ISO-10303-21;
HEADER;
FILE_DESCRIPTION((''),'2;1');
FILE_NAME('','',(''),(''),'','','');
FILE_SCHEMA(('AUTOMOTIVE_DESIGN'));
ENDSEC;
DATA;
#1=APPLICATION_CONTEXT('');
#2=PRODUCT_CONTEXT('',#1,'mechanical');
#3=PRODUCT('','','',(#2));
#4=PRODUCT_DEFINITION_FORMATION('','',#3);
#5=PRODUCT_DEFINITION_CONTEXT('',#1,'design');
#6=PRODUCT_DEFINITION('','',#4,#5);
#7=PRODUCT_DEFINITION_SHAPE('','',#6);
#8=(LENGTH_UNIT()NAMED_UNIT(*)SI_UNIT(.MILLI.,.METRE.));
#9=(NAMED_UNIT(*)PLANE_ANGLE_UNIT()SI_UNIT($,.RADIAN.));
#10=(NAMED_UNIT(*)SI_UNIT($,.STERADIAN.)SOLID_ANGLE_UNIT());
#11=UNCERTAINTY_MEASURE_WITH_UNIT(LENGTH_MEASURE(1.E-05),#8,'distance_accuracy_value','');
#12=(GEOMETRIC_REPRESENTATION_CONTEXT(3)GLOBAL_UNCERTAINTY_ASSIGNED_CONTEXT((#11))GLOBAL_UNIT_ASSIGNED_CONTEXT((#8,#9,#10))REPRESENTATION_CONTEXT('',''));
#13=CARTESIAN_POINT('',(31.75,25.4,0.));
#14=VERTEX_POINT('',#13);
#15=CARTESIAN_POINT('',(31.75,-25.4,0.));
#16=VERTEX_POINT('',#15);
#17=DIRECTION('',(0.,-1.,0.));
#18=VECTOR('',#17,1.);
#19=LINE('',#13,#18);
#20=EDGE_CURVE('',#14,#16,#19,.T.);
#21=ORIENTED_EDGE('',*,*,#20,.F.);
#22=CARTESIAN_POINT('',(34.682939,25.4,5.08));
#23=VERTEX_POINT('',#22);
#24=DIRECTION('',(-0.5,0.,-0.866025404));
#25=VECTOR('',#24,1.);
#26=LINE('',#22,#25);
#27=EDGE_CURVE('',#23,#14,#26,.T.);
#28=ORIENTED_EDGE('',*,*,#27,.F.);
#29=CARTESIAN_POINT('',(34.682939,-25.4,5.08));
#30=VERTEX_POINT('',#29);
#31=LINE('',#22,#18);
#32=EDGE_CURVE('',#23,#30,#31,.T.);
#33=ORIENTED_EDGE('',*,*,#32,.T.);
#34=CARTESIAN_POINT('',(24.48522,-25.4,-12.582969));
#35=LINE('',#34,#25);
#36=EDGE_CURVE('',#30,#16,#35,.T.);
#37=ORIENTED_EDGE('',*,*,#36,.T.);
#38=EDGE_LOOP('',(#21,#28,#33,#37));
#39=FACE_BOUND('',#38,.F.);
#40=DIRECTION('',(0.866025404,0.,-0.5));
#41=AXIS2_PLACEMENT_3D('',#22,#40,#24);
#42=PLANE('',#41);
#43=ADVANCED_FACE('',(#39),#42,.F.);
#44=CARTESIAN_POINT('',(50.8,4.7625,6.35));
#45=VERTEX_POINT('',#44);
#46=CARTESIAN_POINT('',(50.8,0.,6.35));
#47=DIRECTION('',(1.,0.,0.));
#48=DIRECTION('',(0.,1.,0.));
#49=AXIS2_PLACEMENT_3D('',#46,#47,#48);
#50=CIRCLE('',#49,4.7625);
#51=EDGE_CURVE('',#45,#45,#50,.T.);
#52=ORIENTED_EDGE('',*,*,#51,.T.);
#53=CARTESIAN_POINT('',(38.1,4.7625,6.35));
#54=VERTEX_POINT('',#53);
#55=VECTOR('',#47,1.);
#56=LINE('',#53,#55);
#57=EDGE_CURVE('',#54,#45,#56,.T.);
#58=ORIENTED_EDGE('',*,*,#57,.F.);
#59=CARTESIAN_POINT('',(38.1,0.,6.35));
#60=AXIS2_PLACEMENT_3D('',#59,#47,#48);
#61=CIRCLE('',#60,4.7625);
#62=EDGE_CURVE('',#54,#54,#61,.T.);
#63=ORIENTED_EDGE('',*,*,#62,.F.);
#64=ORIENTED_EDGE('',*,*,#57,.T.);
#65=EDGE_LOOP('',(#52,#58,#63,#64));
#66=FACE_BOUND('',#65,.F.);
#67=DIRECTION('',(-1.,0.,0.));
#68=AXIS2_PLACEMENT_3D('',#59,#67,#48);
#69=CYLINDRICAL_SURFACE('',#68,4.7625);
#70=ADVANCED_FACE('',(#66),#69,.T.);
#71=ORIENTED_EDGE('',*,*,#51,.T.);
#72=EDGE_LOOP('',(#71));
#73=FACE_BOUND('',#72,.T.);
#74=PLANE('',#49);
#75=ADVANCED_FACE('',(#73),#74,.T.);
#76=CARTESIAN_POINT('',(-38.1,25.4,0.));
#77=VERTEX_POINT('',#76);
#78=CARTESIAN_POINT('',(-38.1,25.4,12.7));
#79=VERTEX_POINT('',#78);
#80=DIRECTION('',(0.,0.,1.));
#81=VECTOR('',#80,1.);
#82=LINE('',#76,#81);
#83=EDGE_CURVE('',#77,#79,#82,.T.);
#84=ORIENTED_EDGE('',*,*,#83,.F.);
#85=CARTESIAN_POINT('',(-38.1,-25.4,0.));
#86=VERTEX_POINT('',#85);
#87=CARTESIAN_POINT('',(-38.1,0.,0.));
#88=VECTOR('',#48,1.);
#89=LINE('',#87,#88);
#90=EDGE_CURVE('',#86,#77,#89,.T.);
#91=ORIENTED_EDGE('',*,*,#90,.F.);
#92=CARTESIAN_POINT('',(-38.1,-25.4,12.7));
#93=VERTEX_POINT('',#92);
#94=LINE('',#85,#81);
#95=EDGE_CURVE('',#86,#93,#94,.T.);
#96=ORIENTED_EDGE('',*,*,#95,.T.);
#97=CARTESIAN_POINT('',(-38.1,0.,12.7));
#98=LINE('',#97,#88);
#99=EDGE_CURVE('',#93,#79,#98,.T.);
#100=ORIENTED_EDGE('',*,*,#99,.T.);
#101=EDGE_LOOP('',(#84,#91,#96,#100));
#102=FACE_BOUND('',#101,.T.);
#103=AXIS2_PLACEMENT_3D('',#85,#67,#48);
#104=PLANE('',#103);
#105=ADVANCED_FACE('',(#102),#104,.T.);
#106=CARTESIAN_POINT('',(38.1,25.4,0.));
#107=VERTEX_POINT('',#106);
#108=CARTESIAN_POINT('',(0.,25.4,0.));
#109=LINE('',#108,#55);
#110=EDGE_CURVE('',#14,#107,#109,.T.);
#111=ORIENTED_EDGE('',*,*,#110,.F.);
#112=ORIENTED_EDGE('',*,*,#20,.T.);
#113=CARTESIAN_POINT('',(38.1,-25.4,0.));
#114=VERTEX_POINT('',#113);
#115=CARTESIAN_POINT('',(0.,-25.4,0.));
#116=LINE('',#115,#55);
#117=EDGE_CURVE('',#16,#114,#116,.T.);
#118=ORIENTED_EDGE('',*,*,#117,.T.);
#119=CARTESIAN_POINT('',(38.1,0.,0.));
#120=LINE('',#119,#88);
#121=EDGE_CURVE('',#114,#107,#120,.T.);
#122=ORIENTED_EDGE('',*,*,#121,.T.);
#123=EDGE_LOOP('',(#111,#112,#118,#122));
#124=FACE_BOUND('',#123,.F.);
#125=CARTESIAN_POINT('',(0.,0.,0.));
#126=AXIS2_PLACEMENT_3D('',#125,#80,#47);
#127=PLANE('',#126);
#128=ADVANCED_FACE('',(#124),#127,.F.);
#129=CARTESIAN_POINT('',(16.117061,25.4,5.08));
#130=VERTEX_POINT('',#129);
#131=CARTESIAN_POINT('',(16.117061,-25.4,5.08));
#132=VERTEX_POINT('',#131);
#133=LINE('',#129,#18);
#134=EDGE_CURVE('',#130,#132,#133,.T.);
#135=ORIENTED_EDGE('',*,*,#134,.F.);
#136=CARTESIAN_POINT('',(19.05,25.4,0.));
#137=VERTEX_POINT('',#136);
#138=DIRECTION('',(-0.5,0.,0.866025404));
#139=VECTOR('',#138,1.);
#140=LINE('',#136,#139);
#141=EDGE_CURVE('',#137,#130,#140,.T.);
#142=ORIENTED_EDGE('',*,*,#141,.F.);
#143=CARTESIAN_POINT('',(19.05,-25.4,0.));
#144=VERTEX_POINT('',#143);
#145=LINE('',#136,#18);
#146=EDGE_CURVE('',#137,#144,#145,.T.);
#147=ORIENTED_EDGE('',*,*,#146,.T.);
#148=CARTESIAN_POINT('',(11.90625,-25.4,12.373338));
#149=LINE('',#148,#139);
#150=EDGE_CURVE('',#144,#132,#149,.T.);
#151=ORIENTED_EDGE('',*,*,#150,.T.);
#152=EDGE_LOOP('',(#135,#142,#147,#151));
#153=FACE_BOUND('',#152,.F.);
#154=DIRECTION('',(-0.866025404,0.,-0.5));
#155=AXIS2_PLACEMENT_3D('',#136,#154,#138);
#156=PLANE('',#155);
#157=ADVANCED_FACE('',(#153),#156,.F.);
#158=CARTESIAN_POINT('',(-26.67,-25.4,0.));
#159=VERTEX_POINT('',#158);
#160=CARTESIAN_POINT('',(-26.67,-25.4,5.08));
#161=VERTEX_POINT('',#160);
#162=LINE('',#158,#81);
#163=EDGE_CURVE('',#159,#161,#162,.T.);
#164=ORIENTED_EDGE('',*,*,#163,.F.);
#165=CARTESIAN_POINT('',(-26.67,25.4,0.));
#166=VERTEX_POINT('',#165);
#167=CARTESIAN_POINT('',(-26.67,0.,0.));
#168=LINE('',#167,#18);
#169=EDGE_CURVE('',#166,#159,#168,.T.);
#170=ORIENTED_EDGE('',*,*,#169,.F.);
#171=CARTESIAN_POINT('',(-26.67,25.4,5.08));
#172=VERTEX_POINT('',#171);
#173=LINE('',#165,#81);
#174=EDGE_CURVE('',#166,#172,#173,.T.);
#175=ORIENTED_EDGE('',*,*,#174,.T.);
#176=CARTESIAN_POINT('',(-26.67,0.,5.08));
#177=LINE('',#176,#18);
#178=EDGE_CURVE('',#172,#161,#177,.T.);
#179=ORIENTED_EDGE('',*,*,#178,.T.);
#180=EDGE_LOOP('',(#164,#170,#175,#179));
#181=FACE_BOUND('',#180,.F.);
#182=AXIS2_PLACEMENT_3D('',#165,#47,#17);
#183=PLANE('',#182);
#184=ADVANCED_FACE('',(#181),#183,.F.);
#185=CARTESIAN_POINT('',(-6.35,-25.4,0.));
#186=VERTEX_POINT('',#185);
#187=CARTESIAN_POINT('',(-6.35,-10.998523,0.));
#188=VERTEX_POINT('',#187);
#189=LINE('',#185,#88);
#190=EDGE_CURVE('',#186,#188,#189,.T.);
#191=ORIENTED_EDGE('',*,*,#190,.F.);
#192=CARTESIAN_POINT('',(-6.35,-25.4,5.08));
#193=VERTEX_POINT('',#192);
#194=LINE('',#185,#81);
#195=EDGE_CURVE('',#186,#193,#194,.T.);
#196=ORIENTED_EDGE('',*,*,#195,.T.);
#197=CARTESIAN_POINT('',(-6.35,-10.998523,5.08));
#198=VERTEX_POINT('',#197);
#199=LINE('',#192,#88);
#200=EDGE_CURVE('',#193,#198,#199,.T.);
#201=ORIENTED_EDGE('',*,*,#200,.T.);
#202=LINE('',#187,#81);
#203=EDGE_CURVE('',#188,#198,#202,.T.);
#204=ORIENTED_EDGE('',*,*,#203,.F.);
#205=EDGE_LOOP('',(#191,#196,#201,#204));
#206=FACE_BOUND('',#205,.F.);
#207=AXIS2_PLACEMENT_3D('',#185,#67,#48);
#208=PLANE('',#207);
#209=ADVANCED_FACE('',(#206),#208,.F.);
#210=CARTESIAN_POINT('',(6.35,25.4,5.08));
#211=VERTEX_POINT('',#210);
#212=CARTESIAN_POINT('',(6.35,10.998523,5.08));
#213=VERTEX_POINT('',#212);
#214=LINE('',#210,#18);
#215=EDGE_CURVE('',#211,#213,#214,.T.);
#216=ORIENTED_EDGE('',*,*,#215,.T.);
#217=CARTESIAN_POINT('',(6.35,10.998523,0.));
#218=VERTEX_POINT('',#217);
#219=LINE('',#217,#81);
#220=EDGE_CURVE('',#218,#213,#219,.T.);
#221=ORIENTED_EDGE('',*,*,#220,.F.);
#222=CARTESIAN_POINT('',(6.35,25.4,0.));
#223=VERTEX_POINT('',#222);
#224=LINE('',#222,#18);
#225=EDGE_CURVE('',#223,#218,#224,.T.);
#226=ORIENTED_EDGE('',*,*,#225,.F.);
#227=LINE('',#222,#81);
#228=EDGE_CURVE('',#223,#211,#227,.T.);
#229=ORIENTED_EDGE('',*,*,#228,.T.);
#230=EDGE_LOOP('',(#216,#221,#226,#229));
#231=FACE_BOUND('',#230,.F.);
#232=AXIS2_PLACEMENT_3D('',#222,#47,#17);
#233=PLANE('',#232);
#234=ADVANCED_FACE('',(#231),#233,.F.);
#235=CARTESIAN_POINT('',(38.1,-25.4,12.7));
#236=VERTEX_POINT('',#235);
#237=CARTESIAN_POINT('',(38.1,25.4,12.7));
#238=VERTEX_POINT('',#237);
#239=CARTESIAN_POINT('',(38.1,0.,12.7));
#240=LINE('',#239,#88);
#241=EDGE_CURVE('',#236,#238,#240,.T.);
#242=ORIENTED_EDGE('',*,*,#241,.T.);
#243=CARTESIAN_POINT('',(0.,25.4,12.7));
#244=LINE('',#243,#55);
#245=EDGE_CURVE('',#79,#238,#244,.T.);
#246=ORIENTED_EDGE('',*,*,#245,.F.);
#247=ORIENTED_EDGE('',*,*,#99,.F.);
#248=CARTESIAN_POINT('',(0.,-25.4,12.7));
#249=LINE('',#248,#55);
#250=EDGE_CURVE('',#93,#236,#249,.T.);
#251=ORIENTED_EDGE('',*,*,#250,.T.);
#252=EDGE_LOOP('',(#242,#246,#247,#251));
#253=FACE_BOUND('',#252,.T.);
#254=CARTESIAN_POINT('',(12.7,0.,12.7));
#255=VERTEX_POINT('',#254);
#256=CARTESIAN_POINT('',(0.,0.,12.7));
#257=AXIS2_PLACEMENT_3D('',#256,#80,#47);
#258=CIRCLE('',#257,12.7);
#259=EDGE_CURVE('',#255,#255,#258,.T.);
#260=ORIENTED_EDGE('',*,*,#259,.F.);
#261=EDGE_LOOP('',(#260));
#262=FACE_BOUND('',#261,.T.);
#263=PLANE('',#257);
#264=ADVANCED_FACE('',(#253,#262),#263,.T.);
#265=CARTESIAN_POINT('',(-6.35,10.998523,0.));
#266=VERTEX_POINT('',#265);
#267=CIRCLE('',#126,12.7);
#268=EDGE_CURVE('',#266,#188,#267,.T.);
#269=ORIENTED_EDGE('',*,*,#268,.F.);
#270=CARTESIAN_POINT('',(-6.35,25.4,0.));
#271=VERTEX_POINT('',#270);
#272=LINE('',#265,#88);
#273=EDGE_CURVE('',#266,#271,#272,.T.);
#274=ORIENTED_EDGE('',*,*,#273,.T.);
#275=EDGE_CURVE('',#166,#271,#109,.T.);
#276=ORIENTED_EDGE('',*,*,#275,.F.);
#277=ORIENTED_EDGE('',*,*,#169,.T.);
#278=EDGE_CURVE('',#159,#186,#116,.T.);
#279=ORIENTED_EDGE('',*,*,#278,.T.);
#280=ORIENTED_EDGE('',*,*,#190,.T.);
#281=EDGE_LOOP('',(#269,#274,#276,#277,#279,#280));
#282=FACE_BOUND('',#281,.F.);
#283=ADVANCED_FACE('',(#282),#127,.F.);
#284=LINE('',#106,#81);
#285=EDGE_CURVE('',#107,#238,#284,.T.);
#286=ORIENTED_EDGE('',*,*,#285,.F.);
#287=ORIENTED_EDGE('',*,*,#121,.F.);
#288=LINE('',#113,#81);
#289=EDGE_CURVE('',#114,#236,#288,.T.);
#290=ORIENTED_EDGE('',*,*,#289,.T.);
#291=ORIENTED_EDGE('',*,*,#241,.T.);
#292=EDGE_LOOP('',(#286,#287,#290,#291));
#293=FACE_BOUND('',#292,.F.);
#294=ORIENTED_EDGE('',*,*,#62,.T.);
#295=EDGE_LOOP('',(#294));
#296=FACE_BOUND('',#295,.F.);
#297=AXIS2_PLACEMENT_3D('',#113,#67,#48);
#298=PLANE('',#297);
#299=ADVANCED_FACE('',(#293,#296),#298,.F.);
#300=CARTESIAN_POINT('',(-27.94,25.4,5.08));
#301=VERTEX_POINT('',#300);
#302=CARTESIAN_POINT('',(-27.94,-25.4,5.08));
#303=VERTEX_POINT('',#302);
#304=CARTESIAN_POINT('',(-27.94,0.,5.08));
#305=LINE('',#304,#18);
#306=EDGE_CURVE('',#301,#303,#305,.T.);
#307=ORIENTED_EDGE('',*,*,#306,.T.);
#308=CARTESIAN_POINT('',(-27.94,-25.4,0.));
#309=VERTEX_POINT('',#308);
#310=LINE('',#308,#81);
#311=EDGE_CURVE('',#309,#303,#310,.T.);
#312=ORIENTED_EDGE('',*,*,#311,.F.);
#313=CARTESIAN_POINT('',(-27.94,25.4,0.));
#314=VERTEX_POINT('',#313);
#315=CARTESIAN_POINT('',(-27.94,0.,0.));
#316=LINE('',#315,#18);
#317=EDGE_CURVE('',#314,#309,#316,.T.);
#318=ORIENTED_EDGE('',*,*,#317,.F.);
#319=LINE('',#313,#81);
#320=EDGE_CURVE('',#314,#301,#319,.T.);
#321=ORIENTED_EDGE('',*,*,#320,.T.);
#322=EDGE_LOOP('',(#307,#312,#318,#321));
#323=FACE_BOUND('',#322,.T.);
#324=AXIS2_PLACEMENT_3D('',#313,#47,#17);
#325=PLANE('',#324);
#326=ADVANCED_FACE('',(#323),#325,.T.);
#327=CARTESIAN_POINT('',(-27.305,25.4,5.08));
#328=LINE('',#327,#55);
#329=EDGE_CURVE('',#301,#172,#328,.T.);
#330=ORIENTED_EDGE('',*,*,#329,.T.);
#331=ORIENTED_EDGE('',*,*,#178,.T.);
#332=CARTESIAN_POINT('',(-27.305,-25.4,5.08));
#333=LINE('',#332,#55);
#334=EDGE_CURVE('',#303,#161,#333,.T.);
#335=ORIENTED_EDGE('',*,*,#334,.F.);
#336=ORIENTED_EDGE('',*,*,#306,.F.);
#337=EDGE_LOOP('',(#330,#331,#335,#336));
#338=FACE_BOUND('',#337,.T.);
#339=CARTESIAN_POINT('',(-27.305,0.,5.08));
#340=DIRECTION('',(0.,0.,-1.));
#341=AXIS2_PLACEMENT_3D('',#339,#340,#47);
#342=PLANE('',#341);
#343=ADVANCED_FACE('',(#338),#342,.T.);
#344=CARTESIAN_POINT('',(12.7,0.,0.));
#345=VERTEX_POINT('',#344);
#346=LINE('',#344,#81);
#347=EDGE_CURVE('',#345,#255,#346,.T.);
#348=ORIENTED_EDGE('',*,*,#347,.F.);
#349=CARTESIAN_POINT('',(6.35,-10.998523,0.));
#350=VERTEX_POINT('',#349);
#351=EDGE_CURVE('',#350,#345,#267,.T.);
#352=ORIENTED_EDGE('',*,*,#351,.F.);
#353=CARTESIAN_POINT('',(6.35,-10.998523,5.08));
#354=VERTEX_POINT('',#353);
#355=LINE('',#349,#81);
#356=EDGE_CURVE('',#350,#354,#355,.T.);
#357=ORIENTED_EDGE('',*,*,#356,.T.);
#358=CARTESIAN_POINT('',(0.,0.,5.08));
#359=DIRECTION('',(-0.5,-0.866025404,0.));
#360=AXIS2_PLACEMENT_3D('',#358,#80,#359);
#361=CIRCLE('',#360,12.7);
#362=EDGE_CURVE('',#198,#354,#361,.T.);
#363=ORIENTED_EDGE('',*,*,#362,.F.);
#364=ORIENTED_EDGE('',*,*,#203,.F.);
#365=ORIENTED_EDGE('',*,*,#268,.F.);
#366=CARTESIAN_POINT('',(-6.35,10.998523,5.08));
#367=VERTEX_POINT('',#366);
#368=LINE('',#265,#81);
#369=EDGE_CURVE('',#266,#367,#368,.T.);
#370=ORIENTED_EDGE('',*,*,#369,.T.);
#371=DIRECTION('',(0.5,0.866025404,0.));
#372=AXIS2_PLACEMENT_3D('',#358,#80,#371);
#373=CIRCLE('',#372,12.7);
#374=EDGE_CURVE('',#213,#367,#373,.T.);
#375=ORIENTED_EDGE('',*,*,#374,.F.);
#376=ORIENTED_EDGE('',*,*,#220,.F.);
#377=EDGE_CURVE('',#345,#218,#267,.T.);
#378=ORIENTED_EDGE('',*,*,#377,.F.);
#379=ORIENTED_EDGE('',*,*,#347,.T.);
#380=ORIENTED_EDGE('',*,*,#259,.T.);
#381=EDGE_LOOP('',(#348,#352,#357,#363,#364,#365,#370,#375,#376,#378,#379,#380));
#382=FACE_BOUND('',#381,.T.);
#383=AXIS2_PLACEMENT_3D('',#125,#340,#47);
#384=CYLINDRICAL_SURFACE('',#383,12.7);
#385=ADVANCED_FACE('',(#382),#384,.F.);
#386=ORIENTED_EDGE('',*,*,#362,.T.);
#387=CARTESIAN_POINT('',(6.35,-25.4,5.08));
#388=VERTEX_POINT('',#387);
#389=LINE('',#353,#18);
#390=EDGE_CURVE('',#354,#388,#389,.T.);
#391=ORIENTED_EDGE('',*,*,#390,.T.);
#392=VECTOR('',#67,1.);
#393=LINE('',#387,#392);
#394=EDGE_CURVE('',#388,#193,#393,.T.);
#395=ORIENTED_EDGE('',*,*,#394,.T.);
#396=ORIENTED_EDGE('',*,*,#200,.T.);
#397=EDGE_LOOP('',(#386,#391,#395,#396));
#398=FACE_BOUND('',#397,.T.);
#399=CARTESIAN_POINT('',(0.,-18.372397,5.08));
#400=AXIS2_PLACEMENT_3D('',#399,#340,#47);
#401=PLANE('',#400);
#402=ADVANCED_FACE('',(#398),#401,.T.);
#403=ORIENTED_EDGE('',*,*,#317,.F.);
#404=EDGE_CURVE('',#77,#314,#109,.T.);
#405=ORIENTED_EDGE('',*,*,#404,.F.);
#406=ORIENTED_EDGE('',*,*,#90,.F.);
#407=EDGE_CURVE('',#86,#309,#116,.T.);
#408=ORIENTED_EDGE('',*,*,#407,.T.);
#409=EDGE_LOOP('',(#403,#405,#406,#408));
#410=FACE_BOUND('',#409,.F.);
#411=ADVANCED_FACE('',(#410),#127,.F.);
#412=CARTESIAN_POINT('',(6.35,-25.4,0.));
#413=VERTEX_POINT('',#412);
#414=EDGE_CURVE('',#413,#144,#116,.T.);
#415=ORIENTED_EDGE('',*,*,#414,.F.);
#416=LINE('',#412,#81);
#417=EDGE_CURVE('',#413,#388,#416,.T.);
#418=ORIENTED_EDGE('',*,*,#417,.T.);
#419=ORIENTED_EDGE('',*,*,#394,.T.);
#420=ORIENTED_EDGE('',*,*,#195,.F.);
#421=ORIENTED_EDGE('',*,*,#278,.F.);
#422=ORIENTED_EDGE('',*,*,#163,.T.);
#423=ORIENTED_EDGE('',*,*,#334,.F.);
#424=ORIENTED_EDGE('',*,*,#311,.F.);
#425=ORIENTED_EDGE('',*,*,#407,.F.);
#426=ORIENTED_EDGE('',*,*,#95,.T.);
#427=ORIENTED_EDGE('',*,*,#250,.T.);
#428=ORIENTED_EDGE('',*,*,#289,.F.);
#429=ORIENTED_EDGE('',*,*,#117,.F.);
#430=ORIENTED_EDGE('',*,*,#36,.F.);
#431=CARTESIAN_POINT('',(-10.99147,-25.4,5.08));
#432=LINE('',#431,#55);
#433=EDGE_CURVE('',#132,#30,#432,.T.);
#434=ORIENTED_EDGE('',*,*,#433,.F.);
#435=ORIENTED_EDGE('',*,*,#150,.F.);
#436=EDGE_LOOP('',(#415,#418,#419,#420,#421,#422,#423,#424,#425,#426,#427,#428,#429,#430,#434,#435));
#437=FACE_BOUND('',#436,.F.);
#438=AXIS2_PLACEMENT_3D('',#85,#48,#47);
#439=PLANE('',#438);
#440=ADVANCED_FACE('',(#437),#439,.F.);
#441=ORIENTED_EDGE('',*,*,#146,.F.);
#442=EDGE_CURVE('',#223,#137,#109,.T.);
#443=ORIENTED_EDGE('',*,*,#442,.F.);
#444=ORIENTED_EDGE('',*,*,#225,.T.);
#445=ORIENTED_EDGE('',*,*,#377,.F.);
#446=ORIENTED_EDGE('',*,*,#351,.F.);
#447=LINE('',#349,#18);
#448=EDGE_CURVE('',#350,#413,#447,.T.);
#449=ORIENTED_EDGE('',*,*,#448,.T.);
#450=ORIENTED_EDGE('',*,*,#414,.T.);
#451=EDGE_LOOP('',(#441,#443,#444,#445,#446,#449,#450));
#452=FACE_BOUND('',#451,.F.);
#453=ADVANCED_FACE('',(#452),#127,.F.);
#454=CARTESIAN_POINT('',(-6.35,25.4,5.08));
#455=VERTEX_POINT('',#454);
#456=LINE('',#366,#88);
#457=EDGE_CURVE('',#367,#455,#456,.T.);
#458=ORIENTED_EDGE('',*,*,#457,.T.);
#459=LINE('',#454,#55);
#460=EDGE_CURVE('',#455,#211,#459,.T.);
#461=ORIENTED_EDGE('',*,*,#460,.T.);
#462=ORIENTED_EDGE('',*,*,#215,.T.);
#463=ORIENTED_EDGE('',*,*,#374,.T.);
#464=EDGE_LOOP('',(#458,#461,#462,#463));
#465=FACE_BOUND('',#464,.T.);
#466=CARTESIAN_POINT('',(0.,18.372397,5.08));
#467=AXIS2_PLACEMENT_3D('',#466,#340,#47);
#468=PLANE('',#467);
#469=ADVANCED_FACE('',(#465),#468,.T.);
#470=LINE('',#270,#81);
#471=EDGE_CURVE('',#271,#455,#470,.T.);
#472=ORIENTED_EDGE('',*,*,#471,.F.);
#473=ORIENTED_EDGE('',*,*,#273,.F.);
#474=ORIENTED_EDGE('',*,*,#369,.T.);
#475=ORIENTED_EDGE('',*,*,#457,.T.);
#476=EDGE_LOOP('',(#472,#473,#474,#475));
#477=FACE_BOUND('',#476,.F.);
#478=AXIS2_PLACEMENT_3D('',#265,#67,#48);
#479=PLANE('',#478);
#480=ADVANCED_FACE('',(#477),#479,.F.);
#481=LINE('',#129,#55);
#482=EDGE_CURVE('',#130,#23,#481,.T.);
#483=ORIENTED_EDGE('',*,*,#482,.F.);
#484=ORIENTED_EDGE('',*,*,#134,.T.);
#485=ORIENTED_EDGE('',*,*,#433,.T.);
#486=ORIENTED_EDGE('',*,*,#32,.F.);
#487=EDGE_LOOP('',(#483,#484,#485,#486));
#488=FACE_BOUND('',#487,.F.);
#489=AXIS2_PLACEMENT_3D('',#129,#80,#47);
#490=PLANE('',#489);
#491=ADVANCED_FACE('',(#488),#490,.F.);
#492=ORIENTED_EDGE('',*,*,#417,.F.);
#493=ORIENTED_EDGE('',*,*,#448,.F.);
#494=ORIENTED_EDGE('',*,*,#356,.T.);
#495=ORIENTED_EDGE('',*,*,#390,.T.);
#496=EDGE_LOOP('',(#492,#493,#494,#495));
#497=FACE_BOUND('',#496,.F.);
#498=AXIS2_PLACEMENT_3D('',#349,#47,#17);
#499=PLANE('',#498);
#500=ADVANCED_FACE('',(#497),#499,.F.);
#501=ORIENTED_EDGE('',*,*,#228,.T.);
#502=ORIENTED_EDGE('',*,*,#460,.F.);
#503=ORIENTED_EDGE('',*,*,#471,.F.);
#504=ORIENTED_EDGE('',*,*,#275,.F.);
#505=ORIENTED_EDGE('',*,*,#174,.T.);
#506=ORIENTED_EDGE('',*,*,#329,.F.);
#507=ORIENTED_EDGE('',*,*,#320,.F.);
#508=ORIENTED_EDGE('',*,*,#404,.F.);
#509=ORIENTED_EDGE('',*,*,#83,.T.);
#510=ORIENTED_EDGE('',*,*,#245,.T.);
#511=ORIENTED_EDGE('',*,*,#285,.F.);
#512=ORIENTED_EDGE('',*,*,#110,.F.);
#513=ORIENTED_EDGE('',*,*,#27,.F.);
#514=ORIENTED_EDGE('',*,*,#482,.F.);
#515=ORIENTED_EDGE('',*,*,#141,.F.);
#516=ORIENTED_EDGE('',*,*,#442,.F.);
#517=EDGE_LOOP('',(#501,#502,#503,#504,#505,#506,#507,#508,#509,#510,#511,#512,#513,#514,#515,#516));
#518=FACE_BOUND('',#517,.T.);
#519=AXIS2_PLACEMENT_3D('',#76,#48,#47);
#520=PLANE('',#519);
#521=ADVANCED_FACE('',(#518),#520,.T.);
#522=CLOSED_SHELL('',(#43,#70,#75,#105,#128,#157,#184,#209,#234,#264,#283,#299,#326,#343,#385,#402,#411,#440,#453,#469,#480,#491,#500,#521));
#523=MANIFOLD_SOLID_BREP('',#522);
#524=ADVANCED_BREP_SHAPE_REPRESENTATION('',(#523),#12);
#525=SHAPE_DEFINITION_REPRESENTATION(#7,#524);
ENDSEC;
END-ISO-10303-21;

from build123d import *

# Parameters (mm, degrees)
F0_W     = 76.2
F0_H     = 50.8
F0_R     = 12.7
F1_DEPTH = 12.7
F2_W     = 1.27
F2_H     = 50.8
F3_DEPTH = 5.08
F5_DEPTH = 50.801
F6_R     = 4.7625
F7_DEPTH = 12.7


with BuildPart() as f1:
    # F0 (on Top) → F1 (new body)
    with BuildSketch(Plane.XY):
        Rectangle(F0_W, F0_H)
        Circle(F0_R, mode=Mode.SUBTRACT)
    extrude(amount=F1_DEPTH)

    # F2 (on face) → F3 (cut)
    with BuildSketch(Plane(origin=(0, 0, 0), x_dir=(1, 0, 0), z_dir=(0, 0, -1))):
        with Locations((-27.305, 0)):
            Rectangle(F2_W, F2_H)
        with BuildLine():
            Line((6.35, 25.4), (-6.35, 25.4))
            Line((-6.35, 25.4), (-6.35, 10.9985226281))
            ThreePointArc((-6.35, 10.9985226281), (0, 12.7), (6.35, 10.9985226281))
            Line((6.35, 10.9985226281), (6.35, 25.4))
        make_face()
        with BuildLine():
            Line((-6.35, -10.9985226281), (-6.35, -25.4))
            Line((-6.35, -25.4), (6.35, -25.4))
            Line((6.35, -25.4), (6.35, -10.9985226281))
            ThreePointArc((6.35, -10.9985226281), (0, -12.7), (-6.35, -10.9985226281))
        make_face()
    extrude(amount=-F3_DEPTH, mode=Mode.SUBTRACT)

    # F4 (on face) → F5 (cut, through all)
    with BuildSketch(Plane(origin=(0, 25.4, 0), x_dir=(-1, 0, 0), z_dir=(0, 1, 0))):
        Polygon((-31.75, 0), (-19.05, 0), (-16.1170606325, 5.08), (-34.6829393675, 5.08), align=None)
    extrude(amount=-F5_DEPTH, mode=Mode.SUBTRACT)

    # F6 (on face) → F7 (join)
    with BuildSketch(Plane.YZ.offset(38.1)):
        with Locations((0, 6.35)):
            Circle(F6_R)
    extrude(amount=F7_DEPTH)


solid = f1.part
